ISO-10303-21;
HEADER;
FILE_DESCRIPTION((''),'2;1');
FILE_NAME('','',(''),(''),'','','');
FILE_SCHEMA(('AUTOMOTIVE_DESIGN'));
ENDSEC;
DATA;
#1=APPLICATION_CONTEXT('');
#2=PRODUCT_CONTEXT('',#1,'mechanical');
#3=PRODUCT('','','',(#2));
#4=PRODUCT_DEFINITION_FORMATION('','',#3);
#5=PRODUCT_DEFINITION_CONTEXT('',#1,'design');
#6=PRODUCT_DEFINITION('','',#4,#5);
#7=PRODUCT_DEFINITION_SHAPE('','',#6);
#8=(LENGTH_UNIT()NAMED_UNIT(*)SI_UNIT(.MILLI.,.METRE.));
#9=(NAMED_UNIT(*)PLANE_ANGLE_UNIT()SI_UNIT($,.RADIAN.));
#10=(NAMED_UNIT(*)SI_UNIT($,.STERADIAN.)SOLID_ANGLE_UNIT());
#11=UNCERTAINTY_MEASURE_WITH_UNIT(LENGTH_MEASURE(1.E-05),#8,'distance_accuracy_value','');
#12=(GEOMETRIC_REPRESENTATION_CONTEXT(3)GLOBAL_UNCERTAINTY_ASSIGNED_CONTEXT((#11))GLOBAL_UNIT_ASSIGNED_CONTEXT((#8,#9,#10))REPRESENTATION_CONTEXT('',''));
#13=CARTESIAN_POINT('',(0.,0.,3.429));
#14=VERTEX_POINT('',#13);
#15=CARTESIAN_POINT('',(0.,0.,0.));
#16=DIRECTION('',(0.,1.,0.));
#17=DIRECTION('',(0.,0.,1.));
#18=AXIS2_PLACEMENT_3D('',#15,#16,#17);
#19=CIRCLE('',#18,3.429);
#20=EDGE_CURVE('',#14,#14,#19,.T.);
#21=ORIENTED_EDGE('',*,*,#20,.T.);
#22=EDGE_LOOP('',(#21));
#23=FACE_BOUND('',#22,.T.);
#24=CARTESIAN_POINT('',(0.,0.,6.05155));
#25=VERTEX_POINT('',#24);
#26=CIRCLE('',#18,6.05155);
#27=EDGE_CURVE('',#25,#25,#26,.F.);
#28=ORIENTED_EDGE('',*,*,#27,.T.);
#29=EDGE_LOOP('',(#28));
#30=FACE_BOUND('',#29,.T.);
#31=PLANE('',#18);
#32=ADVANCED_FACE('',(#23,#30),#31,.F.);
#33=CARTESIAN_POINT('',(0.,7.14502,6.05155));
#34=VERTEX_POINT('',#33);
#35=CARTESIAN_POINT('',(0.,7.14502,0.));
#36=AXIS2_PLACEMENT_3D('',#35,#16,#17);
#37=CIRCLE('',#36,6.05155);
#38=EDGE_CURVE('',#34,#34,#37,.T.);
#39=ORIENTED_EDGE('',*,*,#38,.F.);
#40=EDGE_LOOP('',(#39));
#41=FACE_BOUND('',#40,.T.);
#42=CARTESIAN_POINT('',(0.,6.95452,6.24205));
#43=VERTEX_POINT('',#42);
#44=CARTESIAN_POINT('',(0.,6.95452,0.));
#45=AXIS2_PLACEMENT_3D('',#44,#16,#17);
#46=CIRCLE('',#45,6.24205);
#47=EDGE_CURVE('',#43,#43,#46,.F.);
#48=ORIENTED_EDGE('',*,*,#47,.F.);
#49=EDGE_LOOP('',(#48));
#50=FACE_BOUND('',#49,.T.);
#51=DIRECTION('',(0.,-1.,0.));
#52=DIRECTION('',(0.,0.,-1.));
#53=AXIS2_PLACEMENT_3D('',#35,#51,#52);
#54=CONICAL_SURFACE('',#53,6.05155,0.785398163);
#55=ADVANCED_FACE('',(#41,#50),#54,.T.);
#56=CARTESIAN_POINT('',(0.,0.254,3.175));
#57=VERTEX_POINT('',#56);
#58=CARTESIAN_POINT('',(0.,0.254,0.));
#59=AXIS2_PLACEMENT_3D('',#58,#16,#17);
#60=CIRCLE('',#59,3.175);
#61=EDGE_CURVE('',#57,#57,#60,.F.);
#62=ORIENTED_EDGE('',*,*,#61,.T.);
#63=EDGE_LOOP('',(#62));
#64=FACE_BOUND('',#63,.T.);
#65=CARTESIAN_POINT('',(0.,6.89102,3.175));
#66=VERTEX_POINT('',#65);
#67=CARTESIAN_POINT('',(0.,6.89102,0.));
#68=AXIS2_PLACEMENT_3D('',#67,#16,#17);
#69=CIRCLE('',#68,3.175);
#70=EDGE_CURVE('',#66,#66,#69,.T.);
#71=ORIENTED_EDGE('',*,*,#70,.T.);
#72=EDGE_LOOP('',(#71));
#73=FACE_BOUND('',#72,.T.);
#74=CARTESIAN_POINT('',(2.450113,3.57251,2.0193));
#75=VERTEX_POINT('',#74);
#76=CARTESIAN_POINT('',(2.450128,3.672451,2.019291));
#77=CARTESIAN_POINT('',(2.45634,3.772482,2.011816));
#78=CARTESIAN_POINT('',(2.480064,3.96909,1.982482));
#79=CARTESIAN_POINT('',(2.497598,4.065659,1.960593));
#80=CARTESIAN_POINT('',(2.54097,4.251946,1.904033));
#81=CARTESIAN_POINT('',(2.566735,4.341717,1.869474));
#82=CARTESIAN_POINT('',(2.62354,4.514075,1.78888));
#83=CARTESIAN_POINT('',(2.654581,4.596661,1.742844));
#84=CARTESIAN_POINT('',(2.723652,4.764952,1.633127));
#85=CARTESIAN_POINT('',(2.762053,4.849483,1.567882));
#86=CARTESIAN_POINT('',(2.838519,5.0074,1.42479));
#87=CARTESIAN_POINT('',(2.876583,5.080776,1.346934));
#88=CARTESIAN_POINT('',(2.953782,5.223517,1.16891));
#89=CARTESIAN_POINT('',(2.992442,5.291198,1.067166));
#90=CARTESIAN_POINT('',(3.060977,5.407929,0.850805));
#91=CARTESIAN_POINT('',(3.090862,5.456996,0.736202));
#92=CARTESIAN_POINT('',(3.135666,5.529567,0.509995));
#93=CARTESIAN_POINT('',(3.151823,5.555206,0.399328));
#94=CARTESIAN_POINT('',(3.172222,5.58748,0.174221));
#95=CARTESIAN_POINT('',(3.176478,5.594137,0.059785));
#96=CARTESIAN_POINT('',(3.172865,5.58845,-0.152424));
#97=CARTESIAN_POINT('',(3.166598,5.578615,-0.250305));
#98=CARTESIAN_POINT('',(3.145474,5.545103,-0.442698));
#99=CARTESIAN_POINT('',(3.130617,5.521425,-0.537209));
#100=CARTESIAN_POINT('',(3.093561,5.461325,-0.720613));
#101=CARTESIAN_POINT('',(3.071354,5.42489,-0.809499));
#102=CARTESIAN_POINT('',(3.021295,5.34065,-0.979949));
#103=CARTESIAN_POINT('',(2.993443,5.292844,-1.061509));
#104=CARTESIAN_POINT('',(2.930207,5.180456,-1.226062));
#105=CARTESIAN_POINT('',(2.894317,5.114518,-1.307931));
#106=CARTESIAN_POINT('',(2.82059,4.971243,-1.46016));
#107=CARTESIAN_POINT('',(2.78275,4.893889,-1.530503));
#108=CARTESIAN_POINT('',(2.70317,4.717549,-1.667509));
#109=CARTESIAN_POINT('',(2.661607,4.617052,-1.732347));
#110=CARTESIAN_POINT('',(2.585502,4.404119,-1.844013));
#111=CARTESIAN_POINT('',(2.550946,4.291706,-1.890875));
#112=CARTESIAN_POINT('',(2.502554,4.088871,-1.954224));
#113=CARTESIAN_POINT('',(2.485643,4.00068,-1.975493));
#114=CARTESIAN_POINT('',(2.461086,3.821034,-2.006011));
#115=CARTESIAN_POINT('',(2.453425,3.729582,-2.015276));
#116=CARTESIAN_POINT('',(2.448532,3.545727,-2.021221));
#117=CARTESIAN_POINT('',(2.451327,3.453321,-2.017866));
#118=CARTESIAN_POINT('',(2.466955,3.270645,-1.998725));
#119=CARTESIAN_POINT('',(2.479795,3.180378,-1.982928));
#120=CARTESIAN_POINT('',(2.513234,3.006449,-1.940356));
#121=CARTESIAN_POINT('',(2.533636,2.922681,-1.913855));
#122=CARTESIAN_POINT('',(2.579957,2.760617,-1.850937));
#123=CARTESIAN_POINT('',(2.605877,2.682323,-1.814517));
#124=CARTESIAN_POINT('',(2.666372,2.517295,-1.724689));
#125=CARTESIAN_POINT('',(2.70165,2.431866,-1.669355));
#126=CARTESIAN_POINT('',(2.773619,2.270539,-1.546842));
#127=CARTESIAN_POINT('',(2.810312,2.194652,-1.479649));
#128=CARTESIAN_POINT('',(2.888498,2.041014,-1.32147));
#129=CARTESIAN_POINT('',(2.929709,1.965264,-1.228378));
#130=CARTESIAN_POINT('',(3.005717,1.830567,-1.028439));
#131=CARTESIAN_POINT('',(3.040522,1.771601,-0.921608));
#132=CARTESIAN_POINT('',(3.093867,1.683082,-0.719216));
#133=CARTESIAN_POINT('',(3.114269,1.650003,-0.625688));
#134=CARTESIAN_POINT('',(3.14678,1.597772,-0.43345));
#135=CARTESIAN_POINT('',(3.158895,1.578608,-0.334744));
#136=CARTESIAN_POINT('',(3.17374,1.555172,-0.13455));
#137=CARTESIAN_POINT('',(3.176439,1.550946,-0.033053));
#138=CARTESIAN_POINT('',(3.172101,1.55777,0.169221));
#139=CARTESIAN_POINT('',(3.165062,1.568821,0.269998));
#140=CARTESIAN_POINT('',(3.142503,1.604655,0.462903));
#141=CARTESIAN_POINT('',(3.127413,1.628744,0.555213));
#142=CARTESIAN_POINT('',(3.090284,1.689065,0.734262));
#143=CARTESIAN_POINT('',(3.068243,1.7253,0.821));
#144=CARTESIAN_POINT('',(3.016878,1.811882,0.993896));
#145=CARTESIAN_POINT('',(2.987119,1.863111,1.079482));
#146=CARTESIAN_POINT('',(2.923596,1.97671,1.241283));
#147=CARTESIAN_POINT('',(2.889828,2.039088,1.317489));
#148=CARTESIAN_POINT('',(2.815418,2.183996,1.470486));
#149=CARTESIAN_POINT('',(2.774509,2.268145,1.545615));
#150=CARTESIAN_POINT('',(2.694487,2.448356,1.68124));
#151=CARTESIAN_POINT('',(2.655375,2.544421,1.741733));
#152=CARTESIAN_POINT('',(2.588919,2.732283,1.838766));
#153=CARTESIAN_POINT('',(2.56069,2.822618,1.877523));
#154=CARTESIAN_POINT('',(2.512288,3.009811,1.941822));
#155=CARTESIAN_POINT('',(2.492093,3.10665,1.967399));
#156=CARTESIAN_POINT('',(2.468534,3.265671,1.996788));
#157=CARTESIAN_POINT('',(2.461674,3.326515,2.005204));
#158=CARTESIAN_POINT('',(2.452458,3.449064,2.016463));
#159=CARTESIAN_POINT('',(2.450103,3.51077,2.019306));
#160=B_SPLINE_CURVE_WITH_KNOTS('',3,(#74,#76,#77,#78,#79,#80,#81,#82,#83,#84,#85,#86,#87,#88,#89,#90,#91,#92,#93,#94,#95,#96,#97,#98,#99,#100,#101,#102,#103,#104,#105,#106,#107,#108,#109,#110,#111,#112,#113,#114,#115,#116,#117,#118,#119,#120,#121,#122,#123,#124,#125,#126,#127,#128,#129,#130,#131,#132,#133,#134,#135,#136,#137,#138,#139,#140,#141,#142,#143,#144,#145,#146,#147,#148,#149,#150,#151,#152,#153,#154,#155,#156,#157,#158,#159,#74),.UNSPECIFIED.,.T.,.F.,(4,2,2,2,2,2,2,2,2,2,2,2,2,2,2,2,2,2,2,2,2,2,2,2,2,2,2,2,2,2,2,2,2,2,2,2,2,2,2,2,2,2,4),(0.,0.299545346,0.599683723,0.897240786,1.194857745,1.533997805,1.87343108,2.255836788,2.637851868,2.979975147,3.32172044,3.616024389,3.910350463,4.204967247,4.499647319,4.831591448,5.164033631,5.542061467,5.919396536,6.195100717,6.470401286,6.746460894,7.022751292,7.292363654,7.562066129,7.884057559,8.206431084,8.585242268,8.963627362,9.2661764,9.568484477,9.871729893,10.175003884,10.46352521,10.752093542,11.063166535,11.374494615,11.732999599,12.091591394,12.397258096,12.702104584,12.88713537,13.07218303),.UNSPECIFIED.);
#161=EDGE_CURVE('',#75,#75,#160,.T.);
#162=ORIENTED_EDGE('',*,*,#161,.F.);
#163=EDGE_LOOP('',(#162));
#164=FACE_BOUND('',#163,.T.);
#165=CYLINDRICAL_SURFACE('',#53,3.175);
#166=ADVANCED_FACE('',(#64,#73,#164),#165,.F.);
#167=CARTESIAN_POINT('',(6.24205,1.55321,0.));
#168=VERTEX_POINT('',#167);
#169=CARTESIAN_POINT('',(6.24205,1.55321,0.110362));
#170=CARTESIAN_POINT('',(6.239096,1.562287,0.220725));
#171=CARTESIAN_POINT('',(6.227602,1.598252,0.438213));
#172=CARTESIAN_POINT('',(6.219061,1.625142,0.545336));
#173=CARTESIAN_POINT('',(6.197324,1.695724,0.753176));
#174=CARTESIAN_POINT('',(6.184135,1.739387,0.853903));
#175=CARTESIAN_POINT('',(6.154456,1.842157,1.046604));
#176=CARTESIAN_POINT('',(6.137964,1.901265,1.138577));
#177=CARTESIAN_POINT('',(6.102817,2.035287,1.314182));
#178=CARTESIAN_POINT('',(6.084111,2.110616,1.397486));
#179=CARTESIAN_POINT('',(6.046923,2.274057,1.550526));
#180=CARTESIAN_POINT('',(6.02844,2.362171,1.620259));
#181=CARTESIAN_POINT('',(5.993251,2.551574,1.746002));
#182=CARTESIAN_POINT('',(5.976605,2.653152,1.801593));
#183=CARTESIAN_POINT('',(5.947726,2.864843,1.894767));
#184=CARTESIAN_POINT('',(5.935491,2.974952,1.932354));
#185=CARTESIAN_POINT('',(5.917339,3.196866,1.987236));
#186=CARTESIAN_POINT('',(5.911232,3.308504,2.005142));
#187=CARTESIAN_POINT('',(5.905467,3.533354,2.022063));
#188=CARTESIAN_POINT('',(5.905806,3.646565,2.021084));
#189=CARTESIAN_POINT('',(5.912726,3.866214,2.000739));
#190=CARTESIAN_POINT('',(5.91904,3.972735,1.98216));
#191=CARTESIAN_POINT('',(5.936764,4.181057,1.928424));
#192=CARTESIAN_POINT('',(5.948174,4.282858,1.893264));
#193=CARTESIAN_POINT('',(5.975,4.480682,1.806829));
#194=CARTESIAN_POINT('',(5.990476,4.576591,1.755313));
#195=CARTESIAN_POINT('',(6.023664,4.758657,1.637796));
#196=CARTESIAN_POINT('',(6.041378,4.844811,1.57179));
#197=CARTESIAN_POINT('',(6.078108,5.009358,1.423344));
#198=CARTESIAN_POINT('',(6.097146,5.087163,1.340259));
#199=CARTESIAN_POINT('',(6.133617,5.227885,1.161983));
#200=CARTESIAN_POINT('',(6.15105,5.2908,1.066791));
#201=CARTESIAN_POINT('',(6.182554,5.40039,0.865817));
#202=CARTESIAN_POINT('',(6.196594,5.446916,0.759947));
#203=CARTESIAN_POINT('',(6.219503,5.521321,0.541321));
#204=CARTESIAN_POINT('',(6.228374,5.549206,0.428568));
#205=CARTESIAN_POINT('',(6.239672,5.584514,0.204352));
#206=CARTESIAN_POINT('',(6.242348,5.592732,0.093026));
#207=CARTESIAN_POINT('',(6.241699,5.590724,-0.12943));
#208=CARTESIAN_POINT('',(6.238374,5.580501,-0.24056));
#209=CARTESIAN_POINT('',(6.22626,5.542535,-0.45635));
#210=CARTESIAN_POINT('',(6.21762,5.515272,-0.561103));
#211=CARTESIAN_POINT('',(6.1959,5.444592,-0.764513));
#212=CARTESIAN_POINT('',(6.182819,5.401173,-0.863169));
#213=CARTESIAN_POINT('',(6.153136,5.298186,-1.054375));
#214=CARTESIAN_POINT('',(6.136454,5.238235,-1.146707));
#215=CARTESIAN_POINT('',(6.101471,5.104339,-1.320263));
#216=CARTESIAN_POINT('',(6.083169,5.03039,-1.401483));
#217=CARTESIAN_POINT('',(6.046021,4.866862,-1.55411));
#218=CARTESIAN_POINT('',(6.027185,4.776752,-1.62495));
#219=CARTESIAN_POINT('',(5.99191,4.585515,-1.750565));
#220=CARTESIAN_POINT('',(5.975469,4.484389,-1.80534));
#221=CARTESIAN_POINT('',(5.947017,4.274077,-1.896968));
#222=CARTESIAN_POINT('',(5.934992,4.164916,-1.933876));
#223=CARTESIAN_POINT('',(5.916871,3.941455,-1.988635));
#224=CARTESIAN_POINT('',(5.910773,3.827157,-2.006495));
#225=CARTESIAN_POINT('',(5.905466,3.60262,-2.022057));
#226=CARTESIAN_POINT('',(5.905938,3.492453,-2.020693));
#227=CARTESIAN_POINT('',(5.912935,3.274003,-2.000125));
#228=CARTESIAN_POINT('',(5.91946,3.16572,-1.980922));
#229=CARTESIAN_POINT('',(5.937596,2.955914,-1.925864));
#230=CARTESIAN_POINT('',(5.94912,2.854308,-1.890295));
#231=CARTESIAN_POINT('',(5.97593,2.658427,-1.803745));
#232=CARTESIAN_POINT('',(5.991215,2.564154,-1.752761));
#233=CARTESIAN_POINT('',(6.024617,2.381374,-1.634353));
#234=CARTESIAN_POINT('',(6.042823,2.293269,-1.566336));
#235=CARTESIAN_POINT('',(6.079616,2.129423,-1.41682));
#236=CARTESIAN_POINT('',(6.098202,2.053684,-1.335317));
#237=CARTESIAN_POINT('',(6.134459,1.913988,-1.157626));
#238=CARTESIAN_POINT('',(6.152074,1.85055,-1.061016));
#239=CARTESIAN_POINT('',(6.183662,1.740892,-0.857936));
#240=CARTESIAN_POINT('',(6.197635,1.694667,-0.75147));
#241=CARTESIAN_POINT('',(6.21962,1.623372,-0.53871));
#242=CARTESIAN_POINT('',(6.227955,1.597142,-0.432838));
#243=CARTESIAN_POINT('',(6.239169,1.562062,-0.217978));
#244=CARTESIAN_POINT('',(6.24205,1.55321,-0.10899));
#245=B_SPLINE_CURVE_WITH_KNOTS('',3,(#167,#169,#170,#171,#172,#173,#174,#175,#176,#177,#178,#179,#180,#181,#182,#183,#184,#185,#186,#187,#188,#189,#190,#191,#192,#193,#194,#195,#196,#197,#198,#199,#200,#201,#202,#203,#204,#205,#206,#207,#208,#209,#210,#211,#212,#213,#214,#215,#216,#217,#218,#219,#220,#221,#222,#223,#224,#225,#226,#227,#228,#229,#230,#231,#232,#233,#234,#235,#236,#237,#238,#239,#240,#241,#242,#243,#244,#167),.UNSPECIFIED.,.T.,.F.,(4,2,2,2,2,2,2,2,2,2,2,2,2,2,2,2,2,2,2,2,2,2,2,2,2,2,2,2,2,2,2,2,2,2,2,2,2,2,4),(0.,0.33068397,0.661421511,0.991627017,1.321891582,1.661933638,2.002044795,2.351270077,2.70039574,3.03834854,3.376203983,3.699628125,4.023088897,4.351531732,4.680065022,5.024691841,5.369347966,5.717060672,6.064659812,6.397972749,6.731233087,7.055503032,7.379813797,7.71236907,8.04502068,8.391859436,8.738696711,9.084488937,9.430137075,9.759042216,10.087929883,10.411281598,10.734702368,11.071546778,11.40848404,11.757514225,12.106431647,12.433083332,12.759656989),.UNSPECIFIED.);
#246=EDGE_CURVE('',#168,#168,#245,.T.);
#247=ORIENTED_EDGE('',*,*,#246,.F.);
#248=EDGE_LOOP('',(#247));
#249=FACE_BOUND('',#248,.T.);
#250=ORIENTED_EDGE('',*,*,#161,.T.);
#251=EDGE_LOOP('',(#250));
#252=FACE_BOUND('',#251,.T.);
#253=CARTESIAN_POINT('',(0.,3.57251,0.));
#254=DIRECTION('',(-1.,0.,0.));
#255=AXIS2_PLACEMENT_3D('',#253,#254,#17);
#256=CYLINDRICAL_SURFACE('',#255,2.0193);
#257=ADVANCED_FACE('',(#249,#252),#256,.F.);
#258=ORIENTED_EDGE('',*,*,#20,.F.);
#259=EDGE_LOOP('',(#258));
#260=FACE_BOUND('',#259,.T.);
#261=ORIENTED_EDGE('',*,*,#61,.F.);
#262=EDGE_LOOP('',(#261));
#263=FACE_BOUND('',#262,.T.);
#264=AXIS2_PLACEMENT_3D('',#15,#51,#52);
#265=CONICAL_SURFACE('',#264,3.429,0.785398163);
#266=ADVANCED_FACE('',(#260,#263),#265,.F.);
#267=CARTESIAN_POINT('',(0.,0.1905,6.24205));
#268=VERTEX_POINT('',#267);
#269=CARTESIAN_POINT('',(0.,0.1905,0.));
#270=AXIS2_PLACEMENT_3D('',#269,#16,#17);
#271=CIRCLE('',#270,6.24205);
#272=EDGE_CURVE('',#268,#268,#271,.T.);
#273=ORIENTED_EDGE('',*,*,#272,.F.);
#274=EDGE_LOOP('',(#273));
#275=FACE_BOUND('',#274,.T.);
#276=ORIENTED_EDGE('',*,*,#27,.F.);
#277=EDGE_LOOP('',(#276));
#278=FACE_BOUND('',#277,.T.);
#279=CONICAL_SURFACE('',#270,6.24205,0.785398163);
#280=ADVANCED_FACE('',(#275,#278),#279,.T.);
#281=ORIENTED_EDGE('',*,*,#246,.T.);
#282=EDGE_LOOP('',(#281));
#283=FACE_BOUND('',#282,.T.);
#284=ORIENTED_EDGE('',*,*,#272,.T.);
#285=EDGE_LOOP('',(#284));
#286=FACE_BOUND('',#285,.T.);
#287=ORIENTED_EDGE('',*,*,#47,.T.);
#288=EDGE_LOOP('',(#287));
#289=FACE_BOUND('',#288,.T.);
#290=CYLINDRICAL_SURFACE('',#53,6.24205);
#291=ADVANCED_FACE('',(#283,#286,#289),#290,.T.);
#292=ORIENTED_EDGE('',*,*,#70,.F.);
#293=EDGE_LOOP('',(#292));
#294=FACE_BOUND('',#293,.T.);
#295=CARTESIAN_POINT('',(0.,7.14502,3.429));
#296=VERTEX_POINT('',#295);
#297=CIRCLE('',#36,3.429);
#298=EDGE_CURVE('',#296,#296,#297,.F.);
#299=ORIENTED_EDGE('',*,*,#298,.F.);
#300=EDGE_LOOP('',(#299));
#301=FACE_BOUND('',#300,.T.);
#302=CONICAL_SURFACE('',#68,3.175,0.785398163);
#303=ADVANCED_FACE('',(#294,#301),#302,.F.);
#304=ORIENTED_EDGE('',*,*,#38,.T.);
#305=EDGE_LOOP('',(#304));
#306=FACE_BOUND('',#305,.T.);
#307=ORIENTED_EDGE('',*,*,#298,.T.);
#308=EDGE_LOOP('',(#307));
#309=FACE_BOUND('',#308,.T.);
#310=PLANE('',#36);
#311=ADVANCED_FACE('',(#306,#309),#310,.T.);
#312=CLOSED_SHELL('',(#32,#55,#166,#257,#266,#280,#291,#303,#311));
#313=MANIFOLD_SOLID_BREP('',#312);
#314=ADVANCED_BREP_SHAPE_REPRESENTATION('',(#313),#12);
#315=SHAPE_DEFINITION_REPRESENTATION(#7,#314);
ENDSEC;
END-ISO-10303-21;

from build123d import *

# Parameters (mm, degrees)
SKETCH1_R           = 6.24205
SKETCH1_R_2         = 3.175
BOSS_EXTRUDE1_DEPTH = 7.14502
CHAMFER1_SIZE       = 0.1905
CHAMFER2_SIZE       = 0.254
SKETCH3_W           = 2.0193
SKETCH3_H           = 6.24205


with BuildPart() as part:
    # Sketch1 → Boss-Extrude1 (new body)
    with BuildSketch(Plane(origin=(0, 0, 0), x_dir=(1, 0, 0), z_dir=(0, 1, 0))):
        with Locations(Location((0, 0, 0), (0, 0, 90))):
            Circle(SKETCH1_R)
        with Locations(Location((0, 0, 0), (0, 0, 90))):
            Circle(SKETCH1_R_2, mode=Mode.SUBTRACT)
    extrude(amount=BOSS_EXTRUDE1_DEPTH)

    # Chamfer1
    chamfer1_edges = [part.edges().sort_by_distance(p)[0] for p in [
        (0, 0, 6.24205),
        (0, 7.14502, 6.24205),
    ]]
    chamfer(chamfer1_edges, length=CHAMFER1_SIZE)

    # Chamfer2
    chamfer2_edges = [part.edges().sort_by_distance(p)[0] for p in [
        (0, 0, 3.175),
        (0, 7.14502, 3.175),
    ]]
    chamfer(chamfer2_edges, length=CHAMFER2_SIZE)

    # Sketch3 → #10-32 Tapped Hole1 (revolve, cut)
    with BuildSketch(Plane.ZX.offset(3.57251)):
        with Locations((1.00965, 3.121025)):
            Rectangle(SKETCH3_W, SKETCH3_H)
    revolve(axis=Axis((-6.35, 3.57251, 0), (1, 0, 0)), mode=Mode.SUBTRACT)


solid = part.part
